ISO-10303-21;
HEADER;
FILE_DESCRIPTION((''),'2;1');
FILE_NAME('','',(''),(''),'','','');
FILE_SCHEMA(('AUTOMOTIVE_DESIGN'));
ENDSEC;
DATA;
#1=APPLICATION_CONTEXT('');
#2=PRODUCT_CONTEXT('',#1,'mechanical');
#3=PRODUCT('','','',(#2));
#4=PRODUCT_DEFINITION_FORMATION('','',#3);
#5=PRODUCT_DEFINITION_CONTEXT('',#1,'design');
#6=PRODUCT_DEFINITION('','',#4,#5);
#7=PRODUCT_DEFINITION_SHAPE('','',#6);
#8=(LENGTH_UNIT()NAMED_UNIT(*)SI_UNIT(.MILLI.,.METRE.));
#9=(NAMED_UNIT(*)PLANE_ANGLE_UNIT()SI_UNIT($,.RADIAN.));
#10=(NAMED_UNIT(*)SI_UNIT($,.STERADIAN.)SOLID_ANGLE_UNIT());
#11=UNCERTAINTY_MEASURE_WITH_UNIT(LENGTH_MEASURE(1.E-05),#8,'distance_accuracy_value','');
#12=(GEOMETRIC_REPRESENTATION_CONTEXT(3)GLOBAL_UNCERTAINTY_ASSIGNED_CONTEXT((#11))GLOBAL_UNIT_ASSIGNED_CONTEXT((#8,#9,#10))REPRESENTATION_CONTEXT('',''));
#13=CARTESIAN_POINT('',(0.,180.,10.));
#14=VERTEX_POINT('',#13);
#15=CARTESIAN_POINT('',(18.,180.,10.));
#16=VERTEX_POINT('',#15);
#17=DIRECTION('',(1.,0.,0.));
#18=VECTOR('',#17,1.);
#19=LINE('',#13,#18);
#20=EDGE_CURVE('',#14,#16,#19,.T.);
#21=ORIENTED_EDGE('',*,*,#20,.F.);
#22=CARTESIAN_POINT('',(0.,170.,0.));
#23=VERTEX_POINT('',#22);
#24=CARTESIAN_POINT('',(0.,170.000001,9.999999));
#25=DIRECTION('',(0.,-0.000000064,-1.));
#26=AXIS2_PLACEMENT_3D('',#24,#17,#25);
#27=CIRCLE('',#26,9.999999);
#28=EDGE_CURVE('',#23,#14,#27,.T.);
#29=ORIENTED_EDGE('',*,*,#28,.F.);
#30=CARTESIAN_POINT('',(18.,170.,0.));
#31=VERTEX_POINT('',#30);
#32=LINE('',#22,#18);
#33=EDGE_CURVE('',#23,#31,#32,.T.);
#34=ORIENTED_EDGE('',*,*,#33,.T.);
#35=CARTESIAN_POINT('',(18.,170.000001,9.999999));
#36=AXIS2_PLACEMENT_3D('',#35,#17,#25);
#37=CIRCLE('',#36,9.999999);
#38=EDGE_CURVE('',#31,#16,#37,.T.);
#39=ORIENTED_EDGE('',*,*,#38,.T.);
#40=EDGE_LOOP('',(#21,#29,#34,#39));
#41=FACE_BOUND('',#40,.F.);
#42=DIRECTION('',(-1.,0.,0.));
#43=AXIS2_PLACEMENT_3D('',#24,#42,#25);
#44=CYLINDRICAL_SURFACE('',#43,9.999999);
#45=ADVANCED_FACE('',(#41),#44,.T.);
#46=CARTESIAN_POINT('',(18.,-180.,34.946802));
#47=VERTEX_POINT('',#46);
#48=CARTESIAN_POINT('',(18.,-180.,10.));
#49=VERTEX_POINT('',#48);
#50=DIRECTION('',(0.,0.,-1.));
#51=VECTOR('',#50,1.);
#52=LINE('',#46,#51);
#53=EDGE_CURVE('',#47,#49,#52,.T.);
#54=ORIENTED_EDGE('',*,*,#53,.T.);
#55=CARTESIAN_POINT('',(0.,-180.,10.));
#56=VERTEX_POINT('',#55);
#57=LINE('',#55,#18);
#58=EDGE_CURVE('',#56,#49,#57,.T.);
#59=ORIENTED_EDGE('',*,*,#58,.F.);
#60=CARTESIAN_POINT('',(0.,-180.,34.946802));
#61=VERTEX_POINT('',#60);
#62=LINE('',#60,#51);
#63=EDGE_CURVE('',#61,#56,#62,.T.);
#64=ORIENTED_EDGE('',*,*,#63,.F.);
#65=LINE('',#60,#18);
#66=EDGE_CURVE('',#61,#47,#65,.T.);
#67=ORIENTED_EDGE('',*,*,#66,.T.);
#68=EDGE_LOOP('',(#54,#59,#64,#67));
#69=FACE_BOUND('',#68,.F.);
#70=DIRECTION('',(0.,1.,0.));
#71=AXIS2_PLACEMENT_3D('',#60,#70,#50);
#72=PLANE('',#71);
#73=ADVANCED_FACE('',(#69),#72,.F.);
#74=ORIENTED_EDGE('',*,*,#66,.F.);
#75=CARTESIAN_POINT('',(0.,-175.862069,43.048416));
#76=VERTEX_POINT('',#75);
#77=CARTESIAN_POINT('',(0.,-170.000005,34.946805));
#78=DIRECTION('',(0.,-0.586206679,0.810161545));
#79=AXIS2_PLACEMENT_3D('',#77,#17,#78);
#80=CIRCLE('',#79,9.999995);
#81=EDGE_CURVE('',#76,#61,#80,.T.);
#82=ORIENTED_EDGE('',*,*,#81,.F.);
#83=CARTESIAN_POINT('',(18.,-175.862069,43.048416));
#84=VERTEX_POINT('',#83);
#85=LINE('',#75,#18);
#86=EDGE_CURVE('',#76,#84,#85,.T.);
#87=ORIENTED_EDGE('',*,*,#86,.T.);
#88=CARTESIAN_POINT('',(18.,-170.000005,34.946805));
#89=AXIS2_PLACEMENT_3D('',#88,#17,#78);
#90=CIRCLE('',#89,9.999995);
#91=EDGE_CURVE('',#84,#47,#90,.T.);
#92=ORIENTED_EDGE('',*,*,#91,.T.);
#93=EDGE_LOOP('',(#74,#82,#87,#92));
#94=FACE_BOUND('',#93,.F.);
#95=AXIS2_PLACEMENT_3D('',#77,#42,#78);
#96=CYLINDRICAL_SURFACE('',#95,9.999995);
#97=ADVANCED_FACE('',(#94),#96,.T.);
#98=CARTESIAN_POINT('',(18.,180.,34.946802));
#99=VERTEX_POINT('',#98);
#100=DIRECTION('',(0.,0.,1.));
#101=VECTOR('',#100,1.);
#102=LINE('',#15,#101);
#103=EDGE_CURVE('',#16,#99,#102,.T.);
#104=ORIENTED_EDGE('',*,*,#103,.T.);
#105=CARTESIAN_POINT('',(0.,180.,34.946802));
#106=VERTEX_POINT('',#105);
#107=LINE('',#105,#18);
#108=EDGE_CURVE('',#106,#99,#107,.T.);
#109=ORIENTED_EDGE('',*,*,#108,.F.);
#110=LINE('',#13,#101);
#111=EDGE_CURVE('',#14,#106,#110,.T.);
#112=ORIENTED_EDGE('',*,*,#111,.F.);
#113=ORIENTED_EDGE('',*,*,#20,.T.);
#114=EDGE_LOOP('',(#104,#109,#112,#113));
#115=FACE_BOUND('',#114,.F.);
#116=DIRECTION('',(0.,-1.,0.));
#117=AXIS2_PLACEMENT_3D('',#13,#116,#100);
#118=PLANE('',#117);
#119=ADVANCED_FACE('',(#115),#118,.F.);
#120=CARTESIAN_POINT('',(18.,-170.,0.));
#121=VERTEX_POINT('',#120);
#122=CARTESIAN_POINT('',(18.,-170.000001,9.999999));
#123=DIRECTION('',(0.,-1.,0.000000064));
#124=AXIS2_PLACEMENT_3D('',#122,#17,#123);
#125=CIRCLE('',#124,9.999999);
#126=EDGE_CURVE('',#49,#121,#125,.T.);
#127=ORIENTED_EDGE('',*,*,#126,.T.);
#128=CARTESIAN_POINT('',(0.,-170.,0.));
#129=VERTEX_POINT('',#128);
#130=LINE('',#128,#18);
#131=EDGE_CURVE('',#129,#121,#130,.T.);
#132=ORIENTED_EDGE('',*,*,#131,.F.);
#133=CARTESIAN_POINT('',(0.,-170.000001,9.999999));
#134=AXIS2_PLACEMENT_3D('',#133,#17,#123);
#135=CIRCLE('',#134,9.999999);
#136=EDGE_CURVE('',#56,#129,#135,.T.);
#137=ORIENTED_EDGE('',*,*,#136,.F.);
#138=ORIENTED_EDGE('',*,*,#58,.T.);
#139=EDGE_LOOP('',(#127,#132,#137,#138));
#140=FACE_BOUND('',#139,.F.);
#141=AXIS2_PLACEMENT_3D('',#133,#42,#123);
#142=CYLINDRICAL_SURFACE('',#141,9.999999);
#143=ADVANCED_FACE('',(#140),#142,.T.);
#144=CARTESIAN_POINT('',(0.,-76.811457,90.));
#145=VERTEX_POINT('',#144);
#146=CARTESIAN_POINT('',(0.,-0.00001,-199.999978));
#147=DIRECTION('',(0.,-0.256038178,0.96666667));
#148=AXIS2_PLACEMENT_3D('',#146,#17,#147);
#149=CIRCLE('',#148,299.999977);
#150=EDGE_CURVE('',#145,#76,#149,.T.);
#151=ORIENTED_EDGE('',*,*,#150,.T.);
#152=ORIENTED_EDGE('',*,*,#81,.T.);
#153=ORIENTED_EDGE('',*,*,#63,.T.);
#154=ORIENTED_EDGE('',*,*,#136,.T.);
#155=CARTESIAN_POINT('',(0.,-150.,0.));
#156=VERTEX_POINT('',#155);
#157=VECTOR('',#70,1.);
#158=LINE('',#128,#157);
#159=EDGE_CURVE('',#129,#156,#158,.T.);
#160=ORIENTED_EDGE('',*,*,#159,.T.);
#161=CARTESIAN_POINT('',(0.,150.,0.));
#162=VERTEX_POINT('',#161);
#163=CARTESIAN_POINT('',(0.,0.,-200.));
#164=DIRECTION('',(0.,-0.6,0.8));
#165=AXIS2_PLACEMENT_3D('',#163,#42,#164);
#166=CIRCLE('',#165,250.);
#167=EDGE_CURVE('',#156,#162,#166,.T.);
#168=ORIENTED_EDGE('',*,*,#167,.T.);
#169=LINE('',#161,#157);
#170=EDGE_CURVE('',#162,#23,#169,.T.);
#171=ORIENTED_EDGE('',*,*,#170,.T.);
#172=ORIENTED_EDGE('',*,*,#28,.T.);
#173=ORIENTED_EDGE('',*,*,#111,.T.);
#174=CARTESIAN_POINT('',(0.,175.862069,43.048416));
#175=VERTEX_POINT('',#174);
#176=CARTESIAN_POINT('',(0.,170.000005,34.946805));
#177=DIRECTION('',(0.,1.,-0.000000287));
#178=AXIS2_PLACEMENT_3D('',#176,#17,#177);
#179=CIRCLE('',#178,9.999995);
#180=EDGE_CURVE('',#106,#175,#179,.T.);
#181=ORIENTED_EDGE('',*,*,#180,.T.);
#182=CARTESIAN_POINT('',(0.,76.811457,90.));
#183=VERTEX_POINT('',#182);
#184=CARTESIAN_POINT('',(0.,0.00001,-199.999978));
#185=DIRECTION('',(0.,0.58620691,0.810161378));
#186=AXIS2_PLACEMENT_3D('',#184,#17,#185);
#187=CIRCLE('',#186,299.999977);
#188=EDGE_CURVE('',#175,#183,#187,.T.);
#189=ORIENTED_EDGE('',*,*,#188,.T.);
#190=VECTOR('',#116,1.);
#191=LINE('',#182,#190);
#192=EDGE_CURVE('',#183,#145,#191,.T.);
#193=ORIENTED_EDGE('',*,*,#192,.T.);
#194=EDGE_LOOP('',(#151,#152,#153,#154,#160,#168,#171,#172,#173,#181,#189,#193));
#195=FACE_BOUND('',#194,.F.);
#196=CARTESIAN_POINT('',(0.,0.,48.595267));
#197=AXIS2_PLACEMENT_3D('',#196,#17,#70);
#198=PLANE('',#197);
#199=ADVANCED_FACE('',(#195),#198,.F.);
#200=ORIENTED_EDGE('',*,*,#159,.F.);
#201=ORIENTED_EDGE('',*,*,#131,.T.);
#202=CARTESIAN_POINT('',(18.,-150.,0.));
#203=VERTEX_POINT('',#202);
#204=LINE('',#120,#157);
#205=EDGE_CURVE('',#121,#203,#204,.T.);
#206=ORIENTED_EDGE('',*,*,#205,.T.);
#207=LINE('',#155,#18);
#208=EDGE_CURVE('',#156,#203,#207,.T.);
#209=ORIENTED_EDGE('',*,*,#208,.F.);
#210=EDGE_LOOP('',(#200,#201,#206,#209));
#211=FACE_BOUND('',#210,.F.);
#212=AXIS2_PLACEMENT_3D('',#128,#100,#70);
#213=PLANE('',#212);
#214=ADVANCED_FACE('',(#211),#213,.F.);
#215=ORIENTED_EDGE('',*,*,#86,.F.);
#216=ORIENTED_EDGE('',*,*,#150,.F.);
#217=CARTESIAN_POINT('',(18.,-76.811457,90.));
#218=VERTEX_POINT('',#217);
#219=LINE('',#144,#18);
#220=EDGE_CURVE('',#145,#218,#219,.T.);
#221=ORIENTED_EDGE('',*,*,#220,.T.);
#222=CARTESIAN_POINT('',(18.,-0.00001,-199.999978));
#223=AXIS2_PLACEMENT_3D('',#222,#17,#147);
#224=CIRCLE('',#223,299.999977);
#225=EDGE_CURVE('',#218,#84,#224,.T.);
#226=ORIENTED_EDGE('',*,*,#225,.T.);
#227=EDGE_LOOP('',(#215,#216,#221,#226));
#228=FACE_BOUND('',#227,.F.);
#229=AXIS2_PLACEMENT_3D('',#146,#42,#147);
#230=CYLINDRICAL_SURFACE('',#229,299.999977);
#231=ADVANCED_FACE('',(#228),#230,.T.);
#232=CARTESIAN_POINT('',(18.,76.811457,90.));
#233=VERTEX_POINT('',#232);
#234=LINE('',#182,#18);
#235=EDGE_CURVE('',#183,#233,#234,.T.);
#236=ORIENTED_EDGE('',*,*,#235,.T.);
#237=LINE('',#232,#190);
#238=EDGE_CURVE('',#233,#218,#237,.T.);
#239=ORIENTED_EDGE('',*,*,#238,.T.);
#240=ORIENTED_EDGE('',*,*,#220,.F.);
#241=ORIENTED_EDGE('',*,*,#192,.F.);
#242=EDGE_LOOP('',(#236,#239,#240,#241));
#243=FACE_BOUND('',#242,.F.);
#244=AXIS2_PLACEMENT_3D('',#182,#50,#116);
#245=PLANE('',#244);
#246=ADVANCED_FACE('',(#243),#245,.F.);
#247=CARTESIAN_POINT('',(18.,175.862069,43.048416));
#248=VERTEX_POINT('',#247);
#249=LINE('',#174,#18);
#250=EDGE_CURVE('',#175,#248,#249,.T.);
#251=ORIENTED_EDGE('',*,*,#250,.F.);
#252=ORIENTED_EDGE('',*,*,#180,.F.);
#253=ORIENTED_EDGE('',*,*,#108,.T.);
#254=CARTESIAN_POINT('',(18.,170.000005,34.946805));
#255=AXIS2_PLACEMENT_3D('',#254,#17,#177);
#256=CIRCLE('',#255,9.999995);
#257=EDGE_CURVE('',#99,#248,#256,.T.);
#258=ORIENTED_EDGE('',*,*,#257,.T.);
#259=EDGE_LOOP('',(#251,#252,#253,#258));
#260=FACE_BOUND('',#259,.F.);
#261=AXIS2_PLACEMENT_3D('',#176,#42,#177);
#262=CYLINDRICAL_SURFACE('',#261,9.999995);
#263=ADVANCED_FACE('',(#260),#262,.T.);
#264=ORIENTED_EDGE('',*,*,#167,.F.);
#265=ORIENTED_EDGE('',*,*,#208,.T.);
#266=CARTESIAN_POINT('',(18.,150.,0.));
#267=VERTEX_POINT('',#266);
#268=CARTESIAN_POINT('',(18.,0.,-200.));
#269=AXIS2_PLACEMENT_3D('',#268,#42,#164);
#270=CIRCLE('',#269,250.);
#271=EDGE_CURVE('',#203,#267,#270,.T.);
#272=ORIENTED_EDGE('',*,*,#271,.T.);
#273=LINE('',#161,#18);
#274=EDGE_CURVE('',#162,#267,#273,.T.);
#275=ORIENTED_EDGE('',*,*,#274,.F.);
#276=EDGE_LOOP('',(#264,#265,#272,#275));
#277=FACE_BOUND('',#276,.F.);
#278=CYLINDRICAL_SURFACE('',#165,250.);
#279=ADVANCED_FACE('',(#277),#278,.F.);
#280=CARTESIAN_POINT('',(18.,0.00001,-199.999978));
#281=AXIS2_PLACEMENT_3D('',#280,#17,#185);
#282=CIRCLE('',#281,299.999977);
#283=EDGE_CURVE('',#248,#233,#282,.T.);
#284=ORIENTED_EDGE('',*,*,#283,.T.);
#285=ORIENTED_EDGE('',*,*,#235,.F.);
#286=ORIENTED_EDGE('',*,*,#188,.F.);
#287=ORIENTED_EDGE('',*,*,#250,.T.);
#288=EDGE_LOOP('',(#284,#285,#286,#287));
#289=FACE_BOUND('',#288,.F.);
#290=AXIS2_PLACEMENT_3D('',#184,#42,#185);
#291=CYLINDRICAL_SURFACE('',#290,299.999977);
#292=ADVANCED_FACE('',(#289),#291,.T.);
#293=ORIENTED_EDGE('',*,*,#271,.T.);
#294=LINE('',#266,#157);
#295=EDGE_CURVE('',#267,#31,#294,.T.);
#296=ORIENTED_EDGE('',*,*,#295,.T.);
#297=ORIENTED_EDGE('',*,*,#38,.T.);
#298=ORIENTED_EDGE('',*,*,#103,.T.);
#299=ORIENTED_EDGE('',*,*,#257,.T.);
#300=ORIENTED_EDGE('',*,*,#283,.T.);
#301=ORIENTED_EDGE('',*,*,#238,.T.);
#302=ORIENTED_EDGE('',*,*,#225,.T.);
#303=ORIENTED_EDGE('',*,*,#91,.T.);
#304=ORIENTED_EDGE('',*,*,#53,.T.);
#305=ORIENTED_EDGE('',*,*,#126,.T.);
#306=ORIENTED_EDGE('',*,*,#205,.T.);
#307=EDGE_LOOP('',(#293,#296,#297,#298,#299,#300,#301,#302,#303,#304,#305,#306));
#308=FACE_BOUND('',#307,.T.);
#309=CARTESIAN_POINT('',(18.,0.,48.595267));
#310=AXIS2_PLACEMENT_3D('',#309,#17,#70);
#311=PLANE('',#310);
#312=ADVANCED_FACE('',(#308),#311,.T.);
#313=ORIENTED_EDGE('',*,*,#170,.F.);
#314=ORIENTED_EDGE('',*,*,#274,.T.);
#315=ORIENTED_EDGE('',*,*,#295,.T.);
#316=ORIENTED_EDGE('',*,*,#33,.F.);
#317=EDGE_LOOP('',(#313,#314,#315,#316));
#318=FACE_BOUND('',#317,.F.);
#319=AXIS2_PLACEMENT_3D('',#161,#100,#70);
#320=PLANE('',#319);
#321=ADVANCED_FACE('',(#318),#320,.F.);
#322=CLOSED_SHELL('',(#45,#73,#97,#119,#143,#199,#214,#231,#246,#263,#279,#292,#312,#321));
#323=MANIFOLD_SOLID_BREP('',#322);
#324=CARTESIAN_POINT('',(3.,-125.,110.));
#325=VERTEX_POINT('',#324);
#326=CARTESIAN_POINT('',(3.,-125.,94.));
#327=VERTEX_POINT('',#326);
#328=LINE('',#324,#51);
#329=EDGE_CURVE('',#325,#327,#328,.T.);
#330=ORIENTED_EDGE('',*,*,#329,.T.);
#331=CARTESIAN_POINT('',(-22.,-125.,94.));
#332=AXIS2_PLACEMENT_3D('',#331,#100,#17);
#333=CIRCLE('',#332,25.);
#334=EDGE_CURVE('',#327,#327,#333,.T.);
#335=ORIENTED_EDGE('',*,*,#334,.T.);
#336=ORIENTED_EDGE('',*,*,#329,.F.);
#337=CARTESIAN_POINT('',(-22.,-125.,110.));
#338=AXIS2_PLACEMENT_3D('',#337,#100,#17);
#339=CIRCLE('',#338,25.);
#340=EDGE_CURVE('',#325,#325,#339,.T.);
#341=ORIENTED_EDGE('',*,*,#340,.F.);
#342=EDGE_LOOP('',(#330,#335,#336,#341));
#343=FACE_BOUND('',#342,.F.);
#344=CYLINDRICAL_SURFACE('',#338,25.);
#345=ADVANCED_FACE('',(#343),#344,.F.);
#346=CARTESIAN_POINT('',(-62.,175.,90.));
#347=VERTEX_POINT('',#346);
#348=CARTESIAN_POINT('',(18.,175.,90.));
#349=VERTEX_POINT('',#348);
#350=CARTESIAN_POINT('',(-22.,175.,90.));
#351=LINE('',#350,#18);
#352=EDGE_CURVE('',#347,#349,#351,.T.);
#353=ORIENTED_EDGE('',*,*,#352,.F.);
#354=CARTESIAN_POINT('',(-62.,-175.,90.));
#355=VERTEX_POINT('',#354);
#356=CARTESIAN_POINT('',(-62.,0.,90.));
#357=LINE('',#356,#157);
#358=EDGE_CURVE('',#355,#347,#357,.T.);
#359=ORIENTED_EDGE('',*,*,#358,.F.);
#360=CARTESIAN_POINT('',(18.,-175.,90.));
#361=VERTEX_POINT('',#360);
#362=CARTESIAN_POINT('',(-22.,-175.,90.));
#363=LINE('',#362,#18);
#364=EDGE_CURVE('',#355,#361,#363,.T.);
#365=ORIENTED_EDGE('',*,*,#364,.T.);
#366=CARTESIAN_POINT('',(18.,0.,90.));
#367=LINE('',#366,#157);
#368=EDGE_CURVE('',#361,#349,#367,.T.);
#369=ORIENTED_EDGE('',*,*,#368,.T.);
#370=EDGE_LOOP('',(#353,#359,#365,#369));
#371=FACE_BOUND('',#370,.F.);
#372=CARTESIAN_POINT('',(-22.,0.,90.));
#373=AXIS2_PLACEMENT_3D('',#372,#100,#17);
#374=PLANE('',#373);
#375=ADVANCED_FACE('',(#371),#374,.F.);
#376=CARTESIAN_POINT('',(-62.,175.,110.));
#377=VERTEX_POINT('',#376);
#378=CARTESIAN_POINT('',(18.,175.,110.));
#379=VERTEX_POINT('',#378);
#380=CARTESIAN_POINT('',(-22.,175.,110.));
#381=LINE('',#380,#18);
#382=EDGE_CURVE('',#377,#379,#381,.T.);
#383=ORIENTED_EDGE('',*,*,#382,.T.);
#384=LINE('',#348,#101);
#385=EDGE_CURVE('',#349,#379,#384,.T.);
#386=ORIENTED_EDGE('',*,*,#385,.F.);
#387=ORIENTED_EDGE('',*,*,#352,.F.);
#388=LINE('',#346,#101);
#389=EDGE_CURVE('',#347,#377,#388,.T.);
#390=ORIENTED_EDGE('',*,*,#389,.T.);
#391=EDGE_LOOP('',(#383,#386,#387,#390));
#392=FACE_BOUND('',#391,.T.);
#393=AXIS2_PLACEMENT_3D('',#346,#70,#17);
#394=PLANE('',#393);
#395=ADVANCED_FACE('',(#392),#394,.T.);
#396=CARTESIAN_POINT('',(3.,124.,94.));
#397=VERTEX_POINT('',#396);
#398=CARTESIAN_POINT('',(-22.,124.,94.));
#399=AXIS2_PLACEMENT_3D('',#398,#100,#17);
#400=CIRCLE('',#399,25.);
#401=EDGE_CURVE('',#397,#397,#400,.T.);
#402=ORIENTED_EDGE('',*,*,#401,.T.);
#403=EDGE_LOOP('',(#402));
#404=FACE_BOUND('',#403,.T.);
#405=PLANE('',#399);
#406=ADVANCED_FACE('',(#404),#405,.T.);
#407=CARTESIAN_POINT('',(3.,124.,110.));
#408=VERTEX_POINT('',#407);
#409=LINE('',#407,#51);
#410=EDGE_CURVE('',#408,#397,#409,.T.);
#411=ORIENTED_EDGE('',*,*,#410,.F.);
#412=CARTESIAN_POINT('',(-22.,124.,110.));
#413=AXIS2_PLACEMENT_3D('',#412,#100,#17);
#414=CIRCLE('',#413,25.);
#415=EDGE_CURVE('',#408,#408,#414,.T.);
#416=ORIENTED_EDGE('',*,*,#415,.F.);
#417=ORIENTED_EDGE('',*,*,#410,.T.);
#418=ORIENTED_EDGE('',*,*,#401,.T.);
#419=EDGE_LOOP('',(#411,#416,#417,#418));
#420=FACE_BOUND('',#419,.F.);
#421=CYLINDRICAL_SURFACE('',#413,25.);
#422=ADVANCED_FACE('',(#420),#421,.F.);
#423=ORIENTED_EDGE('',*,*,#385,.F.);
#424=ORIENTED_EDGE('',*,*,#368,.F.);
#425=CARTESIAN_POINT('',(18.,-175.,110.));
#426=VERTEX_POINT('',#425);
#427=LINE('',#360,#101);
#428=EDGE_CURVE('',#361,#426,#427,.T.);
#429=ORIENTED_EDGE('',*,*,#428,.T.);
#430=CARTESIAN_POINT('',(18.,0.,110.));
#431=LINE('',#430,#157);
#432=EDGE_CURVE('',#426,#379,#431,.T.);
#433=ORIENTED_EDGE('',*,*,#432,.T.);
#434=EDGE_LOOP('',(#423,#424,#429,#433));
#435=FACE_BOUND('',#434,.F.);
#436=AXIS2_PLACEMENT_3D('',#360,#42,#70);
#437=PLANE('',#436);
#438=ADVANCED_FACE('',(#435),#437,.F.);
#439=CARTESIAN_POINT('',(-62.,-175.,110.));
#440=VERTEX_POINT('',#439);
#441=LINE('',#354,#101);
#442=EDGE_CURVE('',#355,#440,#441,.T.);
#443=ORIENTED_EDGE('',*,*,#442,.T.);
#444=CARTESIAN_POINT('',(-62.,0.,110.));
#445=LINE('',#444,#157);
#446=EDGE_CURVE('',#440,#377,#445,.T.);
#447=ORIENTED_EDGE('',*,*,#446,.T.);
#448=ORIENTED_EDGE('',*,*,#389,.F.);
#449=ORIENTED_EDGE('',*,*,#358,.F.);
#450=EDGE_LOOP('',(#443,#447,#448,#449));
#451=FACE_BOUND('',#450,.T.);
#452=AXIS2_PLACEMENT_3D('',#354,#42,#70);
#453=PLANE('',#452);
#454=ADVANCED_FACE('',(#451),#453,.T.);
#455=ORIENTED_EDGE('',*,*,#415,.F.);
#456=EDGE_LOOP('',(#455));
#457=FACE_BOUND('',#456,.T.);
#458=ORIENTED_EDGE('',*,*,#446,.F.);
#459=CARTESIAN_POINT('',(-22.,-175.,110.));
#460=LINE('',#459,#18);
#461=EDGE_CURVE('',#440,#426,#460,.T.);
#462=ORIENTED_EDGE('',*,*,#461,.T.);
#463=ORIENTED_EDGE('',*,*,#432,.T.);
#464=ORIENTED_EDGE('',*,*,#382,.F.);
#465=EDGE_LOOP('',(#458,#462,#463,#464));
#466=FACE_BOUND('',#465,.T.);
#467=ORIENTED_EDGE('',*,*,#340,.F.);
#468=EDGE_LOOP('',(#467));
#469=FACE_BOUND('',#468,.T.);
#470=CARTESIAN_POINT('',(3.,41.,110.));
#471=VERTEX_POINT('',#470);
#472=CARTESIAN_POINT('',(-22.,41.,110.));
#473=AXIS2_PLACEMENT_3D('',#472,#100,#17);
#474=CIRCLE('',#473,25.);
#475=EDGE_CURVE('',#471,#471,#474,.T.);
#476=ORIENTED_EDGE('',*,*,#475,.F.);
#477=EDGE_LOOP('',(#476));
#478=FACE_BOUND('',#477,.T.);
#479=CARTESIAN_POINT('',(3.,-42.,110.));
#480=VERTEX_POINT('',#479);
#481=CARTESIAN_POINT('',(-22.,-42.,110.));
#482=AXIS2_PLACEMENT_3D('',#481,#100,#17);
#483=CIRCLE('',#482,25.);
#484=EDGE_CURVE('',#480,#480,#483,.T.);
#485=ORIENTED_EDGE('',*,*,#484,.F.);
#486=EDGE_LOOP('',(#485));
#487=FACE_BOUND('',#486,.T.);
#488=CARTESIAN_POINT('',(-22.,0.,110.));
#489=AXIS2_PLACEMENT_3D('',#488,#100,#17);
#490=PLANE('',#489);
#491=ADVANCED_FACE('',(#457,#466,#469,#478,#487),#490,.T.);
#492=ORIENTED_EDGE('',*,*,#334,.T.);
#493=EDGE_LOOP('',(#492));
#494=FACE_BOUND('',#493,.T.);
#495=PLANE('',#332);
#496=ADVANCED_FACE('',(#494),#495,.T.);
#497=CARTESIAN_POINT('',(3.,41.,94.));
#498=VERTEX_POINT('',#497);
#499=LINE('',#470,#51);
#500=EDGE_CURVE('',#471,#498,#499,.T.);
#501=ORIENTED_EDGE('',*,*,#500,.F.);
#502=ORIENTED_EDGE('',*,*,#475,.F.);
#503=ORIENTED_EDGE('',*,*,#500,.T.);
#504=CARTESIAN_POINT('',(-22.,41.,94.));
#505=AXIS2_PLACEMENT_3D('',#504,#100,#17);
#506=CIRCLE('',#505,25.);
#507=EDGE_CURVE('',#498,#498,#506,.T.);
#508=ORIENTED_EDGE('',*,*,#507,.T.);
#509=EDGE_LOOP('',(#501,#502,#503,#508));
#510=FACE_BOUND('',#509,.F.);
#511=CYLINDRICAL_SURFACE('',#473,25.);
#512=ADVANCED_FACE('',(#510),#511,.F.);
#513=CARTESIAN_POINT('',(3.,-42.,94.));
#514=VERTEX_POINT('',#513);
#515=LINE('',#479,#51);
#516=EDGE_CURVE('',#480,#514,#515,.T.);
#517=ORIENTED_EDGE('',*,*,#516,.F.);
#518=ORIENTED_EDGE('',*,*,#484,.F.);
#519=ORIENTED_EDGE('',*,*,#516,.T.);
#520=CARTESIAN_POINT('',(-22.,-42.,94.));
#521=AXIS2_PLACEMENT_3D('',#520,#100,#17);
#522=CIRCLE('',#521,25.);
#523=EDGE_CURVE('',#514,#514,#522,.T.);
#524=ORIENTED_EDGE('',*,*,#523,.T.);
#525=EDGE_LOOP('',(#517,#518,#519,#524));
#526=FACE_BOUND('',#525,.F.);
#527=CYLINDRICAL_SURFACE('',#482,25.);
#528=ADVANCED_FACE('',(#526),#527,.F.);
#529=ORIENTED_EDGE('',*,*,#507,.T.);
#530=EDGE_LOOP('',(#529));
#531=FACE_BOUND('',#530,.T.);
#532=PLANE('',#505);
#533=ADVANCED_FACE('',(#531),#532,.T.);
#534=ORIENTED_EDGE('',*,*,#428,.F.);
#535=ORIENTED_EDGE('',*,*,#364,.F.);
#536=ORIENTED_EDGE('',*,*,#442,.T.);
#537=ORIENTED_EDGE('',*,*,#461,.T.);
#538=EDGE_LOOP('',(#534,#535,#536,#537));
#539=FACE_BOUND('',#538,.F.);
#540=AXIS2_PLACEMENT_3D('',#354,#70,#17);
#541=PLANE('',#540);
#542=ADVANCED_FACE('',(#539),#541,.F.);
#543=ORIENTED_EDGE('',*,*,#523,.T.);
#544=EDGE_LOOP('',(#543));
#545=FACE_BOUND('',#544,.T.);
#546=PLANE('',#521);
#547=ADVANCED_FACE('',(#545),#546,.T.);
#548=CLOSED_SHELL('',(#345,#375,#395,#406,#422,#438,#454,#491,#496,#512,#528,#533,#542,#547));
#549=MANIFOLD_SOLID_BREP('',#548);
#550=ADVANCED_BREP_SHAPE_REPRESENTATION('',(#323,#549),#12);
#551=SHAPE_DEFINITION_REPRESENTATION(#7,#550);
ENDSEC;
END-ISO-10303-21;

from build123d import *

# Parameters (mm, degrees)
F1_DEPTH = 18
F2_W     = 80
F2_H     = 350
F3_DEPTH = 20
F4_R     = 25
F5_DEPTH = 16


with BuildPart() as f1:
    # F0 (on Right) → F1 (new body)
    with BuildSketch(Plane.YZ):
        with BuildLine():
            ThreePointArc((-150, 0), (0, 50), (150, 0))
            Line((150, 0), (170, 0))
            ThreePointArc((170, 0), (177.071068, 2.928932), (180, 10))
            Line((180, 10), (180, 34.946802))
            ThreePointArc((180, 34.946802), (178.905636, 39.495391), (175.862069, 43.048416))
            ThreePointArc((175.862069, 43.048416), (128.49938, 71.086535), (76.811457, 90))
            Line((76.811457, 90), (-76.811457, 90))
            ThreePointArc((-76.811457, 90), (-128.49938, 71.086535), (-175.862069, 43.048416))
            ThreePointArc((-175.862069, 43.048416), (-178.905636, 39.495391), (-180, 34.946802))
            Line((-180, 34.946802), (-180, 10))
            ThreePointArc((-180, 10), (-177.071068, 2.928932), (-170, 0))
            Line((-170, 0), (-150, 0))
        make_face()
    extrude(amount=F1_DEPTH)


with BuildPart() as f3:
    # F2 (on face) → F3 (new body)
    with BuildSketch(Plane.XY.offset(90)):
        with Locations((-22, 0)):
            Rectangle(F2_W, F2_H)
    extrude(amount=F3_DEPTH)

    # F4 (on face) → F5 (cut)
    with BuildSketch(Plane.XY.offset(110)):
        with Locations((-22, -125)):
            Circle(F4_R)
        with Locations((-22, -42)):
            Circle(F4_R)
        with Locations((-22, 41)):
            Circle(F4_R)
        with Locations((-22, 124)):
            Circle(F4_R)
    extrude(amount=-F5_DEPTH, mode=Mode.SUBTRACT)


solid = Compound([f1.part, f3.part])
